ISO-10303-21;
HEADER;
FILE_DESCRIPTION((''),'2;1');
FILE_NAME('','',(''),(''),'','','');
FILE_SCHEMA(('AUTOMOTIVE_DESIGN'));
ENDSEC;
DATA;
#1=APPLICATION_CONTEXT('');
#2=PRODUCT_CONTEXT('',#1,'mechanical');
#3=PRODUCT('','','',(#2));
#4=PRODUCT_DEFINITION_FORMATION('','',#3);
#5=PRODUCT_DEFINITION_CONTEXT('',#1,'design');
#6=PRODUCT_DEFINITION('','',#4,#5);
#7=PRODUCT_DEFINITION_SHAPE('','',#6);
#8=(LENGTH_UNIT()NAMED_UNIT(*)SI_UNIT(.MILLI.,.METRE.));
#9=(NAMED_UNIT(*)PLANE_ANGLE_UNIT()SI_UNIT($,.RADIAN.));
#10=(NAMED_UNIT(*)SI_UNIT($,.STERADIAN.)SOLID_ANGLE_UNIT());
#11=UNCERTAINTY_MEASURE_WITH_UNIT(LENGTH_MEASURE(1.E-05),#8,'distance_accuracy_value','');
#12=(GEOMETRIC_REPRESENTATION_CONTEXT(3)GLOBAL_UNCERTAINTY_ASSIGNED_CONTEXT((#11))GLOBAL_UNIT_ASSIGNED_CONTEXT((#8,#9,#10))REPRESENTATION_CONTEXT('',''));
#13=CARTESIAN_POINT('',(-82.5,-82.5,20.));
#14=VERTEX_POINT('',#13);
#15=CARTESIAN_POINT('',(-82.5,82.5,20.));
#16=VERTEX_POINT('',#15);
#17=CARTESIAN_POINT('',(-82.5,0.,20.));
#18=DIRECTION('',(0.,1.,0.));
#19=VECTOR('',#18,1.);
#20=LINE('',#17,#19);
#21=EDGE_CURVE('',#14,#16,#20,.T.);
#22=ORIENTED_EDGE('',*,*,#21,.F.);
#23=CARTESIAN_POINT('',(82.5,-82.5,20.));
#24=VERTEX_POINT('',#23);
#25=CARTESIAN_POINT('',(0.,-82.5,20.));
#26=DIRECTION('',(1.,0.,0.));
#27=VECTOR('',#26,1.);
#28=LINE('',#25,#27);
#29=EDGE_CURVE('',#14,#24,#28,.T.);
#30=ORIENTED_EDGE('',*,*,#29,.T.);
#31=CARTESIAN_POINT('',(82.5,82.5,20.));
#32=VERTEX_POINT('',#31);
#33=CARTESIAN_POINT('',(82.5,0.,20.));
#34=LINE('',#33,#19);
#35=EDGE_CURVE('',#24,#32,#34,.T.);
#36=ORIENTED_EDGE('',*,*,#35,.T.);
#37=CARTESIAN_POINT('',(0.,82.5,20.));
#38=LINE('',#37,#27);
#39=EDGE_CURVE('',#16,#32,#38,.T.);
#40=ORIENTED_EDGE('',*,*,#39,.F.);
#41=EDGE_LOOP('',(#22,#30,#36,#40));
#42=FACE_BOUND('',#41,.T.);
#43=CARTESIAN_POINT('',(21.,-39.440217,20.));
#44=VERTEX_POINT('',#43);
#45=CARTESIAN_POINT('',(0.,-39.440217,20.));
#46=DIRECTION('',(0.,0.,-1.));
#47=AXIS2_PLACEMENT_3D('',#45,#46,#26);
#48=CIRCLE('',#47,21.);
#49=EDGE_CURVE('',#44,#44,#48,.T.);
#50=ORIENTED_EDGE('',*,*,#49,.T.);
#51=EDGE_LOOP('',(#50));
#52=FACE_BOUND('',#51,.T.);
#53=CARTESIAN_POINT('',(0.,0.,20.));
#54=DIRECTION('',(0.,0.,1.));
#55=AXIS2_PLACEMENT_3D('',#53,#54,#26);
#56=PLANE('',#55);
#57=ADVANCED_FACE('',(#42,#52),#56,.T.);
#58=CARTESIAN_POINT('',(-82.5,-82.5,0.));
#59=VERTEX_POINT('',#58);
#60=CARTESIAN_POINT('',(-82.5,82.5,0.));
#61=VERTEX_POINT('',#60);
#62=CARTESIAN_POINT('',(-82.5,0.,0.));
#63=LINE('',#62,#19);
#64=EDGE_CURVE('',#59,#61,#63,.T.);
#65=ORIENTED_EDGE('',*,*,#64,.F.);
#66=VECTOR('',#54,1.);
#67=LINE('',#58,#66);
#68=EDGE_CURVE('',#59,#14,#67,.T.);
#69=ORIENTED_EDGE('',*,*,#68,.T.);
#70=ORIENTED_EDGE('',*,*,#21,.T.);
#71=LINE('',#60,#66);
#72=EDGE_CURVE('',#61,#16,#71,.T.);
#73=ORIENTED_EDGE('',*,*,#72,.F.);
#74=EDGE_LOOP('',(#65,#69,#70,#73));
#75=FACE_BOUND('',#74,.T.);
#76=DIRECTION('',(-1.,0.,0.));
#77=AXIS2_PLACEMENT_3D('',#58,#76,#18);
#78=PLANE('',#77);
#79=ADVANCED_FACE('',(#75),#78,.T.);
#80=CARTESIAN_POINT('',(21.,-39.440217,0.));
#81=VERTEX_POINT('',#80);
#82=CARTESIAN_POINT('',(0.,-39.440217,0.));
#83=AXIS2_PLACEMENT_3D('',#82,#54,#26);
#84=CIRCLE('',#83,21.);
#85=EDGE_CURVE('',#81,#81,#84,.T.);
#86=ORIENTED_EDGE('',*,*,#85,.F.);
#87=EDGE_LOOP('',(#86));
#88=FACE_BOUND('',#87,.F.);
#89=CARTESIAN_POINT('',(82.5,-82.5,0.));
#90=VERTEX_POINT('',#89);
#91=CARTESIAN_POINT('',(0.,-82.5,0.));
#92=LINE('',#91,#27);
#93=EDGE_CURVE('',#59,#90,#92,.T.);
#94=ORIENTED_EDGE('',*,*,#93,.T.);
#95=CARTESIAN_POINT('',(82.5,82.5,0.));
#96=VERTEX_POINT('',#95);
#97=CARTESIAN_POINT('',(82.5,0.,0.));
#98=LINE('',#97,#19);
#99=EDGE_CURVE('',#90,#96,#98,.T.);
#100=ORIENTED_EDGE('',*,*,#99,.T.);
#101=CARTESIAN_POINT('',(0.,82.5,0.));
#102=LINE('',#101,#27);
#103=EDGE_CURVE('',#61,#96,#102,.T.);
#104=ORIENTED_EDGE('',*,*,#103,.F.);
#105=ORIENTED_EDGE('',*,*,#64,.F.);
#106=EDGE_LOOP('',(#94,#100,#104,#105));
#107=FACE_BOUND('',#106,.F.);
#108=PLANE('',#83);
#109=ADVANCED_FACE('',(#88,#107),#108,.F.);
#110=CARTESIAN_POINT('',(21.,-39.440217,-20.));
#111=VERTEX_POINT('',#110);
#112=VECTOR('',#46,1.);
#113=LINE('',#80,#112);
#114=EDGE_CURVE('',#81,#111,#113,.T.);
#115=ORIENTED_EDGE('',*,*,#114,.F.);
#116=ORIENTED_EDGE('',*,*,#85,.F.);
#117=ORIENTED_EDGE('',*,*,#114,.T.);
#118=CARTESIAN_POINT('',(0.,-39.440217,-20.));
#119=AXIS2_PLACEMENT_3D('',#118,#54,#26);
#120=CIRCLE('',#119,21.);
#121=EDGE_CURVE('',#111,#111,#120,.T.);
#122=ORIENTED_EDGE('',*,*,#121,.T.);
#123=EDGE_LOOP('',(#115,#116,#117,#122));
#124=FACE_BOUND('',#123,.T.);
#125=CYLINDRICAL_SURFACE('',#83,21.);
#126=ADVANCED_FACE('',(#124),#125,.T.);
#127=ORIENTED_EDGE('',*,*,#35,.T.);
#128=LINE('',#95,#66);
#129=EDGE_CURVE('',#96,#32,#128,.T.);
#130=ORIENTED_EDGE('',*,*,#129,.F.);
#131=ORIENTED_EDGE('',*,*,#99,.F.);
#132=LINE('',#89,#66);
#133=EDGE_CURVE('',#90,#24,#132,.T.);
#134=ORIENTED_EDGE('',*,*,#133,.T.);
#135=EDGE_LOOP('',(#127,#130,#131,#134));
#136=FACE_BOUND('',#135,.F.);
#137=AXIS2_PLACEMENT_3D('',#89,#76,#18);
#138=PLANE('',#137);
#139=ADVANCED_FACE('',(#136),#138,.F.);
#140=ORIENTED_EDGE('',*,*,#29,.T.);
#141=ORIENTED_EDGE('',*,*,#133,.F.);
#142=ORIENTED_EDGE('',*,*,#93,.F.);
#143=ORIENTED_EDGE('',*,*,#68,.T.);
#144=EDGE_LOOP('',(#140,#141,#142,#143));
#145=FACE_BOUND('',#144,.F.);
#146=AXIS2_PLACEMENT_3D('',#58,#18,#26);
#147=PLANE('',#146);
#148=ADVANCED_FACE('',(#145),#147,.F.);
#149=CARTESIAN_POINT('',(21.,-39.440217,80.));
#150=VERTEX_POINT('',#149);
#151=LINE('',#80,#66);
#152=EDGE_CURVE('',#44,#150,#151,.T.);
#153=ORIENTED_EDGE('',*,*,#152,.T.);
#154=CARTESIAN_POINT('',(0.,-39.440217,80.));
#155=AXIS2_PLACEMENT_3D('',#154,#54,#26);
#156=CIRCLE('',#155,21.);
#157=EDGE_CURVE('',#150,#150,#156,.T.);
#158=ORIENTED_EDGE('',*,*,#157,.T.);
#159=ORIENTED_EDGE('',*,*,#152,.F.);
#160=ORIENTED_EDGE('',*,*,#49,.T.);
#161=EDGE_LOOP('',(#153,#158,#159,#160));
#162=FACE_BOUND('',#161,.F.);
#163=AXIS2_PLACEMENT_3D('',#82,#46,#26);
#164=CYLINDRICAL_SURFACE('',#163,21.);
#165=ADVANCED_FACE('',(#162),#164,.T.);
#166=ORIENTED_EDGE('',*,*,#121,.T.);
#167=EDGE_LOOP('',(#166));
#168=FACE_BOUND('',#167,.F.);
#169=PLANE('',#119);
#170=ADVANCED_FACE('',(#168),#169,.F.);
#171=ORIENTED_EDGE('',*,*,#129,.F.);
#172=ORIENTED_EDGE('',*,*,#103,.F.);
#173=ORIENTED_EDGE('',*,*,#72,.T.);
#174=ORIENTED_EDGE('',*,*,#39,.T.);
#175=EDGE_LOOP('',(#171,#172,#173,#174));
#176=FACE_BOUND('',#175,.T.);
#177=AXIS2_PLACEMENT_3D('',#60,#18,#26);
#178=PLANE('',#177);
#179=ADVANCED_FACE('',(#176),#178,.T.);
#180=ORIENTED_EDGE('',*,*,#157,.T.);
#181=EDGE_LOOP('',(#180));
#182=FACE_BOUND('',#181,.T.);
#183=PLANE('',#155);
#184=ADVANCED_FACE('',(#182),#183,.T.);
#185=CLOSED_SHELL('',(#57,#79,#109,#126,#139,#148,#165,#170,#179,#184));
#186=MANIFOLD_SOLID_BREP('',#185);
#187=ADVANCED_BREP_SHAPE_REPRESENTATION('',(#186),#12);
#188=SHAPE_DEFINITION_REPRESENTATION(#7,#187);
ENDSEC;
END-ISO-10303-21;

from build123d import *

# Parameters (mm, degrees)
F0_W     = 165
F0_H     = 165
F1_DEPTH = 20
F2_R     = 21
F3_DEPTH = 80
F4_DEPTH = 20


with BuildPart() as f1:
    # F0 (on Top) → F1 (new body)
    with BuildSketch(Plane.XY):
        Rectangle(F0_W, F0_H)
    extrude(amount=F1_DEPTH)

    # F2 (on Top) → F3 (join)
    with BuildSketch(Plane.XY):
        with Locations((0, -39.440217)):
            Circle(F2_R)
    extrude(amount=F3_DEPTH)

    # F2 (on Top) → F4 (join)
    with BuildSketch(Plane.XY):
        with Locations((0, -39.440217)):
            Circle(F2_R)
    extrude(amount=-F4_DEPTH)


solid = f1.part
